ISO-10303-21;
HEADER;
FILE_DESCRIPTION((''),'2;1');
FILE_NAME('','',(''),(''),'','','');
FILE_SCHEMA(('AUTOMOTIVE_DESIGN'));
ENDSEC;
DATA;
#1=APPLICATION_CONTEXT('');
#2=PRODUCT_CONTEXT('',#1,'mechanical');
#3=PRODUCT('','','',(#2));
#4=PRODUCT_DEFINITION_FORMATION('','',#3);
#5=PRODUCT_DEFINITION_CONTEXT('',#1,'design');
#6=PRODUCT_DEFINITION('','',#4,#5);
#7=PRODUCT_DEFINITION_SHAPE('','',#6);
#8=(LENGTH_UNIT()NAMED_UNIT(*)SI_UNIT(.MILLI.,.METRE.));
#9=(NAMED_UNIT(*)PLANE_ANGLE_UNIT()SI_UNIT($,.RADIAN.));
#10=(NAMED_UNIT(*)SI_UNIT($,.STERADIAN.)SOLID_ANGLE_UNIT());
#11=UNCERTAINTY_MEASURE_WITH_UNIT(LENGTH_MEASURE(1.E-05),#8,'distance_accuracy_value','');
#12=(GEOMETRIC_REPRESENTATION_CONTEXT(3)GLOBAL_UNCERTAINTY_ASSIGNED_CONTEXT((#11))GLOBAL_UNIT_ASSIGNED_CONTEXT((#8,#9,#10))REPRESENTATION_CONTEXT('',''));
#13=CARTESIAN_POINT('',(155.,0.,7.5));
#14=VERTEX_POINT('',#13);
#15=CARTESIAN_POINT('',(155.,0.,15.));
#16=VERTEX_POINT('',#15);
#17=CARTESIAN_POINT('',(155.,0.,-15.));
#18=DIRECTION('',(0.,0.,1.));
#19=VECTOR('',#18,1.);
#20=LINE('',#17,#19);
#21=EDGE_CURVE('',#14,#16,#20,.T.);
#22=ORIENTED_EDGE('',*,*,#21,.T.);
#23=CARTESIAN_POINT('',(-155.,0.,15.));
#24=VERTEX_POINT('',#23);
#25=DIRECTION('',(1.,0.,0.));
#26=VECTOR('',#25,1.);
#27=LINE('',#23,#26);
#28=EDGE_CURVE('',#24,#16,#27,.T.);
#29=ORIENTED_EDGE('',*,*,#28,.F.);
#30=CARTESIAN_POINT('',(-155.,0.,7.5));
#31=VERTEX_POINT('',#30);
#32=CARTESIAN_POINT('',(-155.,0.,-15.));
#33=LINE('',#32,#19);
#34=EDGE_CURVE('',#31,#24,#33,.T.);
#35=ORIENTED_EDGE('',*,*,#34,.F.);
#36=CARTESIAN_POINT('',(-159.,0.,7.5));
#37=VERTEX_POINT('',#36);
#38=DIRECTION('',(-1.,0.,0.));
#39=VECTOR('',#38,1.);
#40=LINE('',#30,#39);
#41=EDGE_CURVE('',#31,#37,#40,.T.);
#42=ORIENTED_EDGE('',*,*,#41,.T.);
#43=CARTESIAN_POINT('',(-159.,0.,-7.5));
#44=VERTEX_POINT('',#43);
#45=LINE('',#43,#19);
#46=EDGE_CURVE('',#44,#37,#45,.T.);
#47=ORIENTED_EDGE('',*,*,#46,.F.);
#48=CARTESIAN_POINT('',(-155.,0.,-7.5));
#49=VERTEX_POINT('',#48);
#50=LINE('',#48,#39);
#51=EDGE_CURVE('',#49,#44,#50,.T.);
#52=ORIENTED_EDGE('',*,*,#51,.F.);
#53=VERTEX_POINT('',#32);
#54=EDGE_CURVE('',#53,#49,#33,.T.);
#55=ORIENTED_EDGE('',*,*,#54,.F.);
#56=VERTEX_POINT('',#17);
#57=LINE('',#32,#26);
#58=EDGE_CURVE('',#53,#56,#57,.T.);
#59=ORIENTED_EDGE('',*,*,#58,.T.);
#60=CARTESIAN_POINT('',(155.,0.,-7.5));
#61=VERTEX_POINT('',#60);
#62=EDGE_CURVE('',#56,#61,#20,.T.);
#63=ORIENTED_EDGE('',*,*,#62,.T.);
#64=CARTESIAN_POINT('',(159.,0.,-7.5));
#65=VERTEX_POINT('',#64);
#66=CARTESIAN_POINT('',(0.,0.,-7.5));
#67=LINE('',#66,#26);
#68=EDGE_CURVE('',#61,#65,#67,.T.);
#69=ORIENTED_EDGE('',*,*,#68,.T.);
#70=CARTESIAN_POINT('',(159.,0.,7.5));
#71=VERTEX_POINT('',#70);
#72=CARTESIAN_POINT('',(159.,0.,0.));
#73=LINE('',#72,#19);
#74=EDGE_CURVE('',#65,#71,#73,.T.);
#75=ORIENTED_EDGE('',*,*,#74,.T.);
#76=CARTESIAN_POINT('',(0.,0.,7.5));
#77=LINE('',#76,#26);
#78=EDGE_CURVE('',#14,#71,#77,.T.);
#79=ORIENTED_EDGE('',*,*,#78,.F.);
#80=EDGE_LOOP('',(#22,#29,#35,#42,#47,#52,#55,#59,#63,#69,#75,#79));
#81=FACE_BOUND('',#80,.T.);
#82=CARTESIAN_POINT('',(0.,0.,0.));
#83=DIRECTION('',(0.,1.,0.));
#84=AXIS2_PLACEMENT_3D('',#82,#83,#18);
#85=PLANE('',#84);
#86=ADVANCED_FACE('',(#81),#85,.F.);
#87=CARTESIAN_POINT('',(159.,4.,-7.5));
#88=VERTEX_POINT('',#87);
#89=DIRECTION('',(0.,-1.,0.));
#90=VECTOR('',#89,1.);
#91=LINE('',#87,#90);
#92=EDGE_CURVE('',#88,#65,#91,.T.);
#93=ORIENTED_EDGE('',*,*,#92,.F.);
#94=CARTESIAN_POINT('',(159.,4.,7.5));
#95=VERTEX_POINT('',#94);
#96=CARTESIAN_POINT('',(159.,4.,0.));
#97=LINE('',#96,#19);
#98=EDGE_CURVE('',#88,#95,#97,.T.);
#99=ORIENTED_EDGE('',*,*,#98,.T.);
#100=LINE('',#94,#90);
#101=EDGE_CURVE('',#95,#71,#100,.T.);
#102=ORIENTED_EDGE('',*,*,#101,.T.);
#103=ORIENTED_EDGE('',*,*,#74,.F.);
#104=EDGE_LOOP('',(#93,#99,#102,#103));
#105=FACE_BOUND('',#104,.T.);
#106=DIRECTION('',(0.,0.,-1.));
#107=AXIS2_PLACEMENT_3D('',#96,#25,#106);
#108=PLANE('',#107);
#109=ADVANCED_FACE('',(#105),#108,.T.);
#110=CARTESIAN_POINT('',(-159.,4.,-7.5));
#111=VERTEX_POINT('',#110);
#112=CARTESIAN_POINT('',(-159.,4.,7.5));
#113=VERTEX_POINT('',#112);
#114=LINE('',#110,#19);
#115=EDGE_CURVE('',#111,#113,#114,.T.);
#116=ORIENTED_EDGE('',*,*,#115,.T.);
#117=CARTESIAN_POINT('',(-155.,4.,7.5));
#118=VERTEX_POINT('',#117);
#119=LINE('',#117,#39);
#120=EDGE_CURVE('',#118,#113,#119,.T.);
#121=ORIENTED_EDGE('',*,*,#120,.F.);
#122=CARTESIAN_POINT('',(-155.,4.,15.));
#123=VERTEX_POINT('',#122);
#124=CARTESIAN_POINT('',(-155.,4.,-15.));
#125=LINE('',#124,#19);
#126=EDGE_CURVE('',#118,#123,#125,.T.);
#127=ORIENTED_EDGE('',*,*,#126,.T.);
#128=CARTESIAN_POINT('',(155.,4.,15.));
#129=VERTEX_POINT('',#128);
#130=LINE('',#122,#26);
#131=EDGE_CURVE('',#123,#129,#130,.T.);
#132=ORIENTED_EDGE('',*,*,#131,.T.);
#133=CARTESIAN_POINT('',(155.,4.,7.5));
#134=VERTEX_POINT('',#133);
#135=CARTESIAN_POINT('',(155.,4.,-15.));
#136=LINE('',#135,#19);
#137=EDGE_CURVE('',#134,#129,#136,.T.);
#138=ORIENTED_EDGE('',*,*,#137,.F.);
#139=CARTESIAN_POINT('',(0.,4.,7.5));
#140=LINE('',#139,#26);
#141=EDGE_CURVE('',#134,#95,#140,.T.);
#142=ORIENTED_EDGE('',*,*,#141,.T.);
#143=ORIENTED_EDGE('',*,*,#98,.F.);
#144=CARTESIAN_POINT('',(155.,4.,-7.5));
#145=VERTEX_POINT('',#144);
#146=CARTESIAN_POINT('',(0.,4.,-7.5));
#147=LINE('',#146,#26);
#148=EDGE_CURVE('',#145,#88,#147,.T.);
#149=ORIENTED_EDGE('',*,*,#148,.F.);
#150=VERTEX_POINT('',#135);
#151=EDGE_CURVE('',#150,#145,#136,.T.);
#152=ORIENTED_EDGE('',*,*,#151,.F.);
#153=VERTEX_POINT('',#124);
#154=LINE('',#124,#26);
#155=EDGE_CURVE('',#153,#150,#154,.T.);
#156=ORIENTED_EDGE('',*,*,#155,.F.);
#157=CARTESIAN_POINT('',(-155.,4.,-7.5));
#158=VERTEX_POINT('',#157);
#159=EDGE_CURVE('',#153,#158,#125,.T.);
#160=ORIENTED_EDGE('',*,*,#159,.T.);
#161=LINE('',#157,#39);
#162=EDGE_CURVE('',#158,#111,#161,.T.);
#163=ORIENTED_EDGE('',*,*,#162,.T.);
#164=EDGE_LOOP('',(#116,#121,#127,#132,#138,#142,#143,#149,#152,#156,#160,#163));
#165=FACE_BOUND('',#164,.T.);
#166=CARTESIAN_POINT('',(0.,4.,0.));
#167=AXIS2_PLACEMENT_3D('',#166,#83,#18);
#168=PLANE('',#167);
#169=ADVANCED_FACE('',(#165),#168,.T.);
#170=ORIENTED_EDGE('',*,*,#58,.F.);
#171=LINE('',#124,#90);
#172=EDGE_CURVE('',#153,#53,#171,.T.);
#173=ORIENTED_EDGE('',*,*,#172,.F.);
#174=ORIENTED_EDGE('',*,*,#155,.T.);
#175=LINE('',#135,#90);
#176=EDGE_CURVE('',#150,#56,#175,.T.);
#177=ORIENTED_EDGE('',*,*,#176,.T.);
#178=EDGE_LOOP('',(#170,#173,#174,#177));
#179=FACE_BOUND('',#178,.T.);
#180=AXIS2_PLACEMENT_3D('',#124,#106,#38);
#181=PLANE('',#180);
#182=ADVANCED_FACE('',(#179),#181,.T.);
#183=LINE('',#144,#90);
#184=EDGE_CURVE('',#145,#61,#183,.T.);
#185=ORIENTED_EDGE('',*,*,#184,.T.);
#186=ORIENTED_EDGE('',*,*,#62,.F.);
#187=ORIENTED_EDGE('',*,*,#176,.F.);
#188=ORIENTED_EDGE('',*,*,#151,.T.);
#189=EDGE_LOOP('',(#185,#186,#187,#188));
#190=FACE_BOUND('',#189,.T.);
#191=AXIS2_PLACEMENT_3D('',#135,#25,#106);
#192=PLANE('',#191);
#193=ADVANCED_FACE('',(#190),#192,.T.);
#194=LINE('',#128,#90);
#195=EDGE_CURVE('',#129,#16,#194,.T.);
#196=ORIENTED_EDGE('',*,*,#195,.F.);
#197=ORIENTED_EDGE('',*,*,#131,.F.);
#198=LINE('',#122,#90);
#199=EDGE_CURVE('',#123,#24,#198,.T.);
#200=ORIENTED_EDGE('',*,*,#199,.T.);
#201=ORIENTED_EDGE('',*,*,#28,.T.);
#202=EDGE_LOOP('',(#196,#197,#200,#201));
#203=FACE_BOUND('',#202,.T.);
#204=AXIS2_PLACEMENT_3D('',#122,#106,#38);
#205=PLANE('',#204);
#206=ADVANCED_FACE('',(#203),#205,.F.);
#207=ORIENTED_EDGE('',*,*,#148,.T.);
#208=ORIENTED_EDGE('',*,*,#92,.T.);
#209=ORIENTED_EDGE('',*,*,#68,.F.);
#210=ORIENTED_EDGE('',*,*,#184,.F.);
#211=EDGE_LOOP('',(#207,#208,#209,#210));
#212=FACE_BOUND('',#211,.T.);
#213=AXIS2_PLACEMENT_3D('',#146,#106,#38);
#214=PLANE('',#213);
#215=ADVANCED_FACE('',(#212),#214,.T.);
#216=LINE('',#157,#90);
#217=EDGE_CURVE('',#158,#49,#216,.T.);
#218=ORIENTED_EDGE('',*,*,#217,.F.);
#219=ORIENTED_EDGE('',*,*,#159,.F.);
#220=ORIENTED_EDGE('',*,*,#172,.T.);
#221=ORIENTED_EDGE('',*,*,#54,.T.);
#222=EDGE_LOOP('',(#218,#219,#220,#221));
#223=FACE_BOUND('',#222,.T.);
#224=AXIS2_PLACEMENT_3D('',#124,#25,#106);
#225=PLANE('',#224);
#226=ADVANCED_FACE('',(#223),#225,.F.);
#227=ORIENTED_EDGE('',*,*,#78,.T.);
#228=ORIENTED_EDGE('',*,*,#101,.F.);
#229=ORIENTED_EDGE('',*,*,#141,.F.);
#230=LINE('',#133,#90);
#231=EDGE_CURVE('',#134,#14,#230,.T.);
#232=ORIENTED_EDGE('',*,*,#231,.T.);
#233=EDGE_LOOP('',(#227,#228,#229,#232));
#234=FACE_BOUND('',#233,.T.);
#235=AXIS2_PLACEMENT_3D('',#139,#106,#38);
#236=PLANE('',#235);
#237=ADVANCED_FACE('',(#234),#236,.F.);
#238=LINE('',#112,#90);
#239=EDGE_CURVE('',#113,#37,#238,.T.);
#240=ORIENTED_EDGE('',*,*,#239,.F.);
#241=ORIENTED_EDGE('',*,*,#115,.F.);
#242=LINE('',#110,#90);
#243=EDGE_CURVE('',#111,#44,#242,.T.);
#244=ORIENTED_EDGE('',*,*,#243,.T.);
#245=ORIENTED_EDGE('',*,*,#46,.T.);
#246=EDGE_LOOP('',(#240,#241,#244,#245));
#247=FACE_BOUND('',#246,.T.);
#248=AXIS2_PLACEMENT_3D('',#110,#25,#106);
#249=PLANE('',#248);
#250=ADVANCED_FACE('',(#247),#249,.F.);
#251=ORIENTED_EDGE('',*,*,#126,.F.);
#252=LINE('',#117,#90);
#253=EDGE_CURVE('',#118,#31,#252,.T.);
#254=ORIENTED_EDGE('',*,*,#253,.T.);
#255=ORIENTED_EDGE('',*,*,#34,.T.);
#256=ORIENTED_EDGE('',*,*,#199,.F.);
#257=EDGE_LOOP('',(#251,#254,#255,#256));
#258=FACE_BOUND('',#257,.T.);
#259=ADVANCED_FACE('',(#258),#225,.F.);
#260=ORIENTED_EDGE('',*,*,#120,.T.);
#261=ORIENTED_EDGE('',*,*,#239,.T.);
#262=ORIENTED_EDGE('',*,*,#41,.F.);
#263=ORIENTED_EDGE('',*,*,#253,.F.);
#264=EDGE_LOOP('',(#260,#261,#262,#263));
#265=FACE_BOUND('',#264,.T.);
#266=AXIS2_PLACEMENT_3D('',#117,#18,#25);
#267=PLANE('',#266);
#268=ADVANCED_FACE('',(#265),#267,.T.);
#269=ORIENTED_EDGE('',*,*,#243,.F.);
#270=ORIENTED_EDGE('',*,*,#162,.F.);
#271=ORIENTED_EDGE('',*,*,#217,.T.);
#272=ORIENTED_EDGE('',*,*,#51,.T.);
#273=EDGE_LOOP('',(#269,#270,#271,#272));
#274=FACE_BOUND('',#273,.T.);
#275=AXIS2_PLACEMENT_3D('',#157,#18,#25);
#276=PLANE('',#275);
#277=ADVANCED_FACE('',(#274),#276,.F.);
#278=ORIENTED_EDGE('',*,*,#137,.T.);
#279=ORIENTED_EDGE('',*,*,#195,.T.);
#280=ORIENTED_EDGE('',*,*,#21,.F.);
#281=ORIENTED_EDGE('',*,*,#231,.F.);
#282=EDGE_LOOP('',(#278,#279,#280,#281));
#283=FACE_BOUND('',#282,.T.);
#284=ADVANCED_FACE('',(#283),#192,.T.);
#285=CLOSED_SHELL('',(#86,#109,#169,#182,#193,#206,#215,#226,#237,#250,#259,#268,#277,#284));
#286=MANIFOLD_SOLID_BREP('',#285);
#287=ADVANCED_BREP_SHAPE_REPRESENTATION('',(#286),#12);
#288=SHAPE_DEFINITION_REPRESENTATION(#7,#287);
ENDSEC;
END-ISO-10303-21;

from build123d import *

# Parameters (mm, degrees)
SCHIZZO1_W                   = 310
SCHIZZO1_H                   = 30
SCHIZZO1_W_2                 = 4
SCHIZZO1_H_2                 = 15
ESTRUSIONE_ESTRUSIONE1_DEPTH = 4


with BuildPart() as part:
    # Schizzo1 → Estrusione-Estrusione1 (new body)
    with BuildSketch(Plane(origin=(0, 0, 0), x_dir=(1, 0, 0), z_dir=(0, 1, 0))):
        Rectangle(SCHIZZO1_W, SCHIZZO1_H)
        with Locations((-157, 0)):
            Rectangle(SCHIZZO1_W_2, SCHIZZO1_H_2)
        with Locations((157, 0)):
            Rectangle(SCHIZZO1_W_2, SCHIZZO1_H_2)
    extrude(amount=ESTRUSIONE_ESTRUSIONE1_DEPTH)


solid = part.part
